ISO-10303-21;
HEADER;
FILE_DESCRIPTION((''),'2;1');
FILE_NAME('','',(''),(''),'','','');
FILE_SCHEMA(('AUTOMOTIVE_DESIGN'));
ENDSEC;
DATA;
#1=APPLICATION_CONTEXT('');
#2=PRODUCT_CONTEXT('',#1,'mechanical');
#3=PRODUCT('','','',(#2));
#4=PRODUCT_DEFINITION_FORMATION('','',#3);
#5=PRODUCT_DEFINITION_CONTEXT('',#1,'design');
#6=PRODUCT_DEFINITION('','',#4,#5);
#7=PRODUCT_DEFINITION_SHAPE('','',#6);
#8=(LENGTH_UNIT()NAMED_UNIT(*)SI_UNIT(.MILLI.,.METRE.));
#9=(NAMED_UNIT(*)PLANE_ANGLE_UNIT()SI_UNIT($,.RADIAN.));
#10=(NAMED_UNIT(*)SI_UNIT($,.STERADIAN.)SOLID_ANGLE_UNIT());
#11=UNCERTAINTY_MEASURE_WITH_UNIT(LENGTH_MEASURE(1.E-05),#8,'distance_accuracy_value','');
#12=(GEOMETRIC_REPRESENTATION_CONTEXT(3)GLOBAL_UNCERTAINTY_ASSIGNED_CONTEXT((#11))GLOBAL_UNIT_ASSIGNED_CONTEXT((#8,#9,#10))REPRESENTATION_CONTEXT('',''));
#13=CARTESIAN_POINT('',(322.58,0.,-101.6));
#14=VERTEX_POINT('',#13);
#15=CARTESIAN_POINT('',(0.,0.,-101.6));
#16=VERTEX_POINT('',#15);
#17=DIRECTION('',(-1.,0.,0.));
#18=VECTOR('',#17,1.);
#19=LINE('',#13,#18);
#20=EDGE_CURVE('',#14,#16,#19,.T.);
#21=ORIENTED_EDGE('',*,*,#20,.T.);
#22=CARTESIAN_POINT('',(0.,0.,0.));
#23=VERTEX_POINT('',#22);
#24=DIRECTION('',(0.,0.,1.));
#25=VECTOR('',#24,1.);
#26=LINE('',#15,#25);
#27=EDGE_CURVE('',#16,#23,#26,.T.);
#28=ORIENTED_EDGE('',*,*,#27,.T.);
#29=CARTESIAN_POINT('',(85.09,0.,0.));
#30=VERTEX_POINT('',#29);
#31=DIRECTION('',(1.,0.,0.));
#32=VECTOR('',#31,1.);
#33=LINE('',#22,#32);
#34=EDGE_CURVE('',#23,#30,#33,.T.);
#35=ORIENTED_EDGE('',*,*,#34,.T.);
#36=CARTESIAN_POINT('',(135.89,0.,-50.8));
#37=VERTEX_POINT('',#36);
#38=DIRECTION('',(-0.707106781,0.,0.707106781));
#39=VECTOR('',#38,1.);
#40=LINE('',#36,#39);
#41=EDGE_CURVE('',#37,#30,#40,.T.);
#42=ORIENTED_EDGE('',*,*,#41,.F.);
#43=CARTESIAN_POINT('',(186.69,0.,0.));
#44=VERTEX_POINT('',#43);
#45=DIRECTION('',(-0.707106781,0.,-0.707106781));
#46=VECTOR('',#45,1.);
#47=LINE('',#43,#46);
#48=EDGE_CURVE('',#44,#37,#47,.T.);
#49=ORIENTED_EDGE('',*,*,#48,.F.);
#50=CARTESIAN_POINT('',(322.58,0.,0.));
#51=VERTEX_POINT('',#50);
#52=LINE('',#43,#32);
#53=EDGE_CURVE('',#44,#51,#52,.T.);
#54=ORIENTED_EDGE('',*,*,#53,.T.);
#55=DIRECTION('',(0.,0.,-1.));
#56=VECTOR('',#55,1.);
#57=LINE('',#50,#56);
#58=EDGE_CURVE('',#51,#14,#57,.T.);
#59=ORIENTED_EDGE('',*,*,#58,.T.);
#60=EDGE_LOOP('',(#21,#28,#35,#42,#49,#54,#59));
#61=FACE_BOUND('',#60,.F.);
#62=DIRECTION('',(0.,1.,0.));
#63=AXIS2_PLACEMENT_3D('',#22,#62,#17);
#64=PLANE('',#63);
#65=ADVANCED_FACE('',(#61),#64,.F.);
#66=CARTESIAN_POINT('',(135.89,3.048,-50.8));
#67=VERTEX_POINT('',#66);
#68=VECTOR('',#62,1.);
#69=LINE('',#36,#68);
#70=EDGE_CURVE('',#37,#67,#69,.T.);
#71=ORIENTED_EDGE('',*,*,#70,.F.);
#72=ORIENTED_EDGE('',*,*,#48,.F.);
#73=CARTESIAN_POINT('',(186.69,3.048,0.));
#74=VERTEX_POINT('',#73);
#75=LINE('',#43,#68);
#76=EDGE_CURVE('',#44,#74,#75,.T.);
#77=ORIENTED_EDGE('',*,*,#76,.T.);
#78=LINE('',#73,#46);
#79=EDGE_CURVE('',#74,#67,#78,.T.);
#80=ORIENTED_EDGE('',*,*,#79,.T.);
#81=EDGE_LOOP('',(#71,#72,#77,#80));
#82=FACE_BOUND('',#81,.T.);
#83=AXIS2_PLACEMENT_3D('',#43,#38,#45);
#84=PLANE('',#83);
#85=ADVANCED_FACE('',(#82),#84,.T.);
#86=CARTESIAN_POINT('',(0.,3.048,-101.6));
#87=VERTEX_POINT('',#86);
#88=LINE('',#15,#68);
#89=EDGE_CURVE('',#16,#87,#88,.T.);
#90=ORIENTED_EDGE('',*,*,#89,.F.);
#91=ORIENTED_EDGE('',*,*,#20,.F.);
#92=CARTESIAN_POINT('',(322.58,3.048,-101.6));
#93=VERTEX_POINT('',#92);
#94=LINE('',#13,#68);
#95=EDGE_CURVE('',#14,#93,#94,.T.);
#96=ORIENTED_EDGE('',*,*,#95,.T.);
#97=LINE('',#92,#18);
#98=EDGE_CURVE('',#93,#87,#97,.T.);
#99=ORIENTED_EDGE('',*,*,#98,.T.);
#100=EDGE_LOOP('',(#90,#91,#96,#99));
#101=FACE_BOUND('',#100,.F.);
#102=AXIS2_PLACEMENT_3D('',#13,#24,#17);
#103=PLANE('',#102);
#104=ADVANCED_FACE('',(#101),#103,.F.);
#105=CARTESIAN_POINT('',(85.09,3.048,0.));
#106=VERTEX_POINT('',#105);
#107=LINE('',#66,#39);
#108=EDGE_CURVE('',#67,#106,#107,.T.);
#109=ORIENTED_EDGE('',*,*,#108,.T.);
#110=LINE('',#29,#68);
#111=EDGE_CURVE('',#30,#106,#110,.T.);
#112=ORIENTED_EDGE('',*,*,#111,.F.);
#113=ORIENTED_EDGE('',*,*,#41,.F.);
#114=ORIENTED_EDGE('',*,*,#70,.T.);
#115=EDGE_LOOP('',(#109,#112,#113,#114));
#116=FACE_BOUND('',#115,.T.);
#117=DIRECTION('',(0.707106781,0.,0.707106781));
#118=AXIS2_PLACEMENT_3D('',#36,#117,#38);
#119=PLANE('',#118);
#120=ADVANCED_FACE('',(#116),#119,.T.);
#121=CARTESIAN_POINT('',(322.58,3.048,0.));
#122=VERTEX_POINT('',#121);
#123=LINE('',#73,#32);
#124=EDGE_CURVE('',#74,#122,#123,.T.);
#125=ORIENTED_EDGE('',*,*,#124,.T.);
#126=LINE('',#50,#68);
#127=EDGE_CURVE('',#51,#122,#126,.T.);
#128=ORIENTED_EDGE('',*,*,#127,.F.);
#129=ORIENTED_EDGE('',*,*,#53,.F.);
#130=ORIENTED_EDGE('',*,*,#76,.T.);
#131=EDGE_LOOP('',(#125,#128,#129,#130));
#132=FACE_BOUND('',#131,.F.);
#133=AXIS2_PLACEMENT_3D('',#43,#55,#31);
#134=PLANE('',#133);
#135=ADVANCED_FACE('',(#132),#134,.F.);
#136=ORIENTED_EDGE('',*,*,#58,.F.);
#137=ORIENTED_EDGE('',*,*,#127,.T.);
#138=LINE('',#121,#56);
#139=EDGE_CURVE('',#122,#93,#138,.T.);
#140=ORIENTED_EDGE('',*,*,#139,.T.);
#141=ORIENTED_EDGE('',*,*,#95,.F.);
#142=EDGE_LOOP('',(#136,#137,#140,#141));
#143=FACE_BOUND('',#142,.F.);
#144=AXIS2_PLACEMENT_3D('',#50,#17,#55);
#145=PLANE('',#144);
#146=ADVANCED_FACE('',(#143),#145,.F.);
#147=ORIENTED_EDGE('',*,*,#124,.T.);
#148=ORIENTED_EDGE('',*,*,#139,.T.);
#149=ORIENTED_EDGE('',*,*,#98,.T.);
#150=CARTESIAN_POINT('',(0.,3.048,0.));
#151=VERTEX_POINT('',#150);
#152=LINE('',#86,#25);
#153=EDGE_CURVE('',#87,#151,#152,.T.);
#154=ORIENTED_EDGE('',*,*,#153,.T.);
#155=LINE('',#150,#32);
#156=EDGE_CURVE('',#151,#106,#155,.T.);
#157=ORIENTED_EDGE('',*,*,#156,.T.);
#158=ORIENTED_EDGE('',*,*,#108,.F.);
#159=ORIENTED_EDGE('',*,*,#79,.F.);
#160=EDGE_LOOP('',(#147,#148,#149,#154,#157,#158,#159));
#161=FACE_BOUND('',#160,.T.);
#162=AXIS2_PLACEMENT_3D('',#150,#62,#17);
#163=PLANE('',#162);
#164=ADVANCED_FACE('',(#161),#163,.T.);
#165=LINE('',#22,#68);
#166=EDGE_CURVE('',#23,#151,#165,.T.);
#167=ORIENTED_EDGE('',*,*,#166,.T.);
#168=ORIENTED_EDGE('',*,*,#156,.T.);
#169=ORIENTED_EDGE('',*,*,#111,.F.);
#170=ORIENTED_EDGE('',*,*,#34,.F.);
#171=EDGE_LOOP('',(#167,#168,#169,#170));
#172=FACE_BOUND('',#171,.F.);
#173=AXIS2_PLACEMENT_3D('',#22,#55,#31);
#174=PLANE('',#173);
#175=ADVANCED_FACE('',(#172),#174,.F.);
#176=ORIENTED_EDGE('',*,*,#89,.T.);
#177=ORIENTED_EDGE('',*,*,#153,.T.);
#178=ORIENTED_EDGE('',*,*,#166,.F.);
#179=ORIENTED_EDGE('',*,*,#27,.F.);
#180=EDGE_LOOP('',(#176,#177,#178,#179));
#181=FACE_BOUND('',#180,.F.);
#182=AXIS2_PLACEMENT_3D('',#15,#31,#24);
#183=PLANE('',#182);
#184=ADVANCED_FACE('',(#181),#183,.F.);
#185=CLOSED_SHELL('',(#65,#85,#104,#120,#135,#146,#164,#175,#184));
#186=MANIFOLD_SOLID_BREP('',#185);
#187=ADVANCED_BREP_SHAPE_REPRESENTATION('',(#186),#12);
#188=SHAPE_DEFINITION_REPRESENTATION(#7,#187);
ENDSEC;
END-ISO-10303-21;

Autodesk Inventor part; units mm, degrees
ref_plane "YZ Plane" through (0, 0, 0) normal (1, 0, 0) x (0, 1, 0)
ref_plane "XZ Plane" through (0, 0, 0) normal (0, 1, 0) x (-1, 0, 0)
ref_plane "XY Plane" through (0, 0, 0) normal (0, 0, 1) x (1, 0, 0)
sketch "Sketch1" plane through (0, 0, 0) normal (0, 1, 0) x (-1, 0, 0)
  line L0 (-322.58, 0) -> (-322.58, -101.6)
  line L1 (-322.58, -101.6) -> (0, -101.6)
  line L2 (0, -101.6) -> (0, 0)
  line L3 (-186.69, 0) -> (-135.89, -50.8)
  line L4 (-135.89, -50.8) -> (-85.09, 0)
  line L5 (0, 0) -> (-85.09, 0)
  line L6 (-186.69, 0) -> (-322.58, 0)
  dimension "d0" = 322.58
  dimension "d1" = 101.6
  dimension "d5" = 50.8
  dimension "d7" = 85.09
  dimension "d8" = 135
  dimension "d9" = 135
  dimension "d10" = 0
extrude "Plate1" add sketch "Sketch1" along normal blind 3.048
equation "\"BendRadius\" = Thickness"
equation "\"BendReliefWidth\" = Thickness"
equation "\"BendReliefDepth\" = 0.5 * Thickness"
equation "\"CornerReliefSize\" = 4 * Thickness"
equation "\"MinimumRemnant\" = 2 * Thickness"
equation "\"TransitionRadius\" = BendRadius"
equation "\"JacobiRadiusSize\" = BendRadius"
equation "\"GapSize\" = Thickness"
equation "\"d2\" = BendRadius"
equation "\"Thickness\" = 3.048"
properties part number "motorMountAndRopeGuide"
